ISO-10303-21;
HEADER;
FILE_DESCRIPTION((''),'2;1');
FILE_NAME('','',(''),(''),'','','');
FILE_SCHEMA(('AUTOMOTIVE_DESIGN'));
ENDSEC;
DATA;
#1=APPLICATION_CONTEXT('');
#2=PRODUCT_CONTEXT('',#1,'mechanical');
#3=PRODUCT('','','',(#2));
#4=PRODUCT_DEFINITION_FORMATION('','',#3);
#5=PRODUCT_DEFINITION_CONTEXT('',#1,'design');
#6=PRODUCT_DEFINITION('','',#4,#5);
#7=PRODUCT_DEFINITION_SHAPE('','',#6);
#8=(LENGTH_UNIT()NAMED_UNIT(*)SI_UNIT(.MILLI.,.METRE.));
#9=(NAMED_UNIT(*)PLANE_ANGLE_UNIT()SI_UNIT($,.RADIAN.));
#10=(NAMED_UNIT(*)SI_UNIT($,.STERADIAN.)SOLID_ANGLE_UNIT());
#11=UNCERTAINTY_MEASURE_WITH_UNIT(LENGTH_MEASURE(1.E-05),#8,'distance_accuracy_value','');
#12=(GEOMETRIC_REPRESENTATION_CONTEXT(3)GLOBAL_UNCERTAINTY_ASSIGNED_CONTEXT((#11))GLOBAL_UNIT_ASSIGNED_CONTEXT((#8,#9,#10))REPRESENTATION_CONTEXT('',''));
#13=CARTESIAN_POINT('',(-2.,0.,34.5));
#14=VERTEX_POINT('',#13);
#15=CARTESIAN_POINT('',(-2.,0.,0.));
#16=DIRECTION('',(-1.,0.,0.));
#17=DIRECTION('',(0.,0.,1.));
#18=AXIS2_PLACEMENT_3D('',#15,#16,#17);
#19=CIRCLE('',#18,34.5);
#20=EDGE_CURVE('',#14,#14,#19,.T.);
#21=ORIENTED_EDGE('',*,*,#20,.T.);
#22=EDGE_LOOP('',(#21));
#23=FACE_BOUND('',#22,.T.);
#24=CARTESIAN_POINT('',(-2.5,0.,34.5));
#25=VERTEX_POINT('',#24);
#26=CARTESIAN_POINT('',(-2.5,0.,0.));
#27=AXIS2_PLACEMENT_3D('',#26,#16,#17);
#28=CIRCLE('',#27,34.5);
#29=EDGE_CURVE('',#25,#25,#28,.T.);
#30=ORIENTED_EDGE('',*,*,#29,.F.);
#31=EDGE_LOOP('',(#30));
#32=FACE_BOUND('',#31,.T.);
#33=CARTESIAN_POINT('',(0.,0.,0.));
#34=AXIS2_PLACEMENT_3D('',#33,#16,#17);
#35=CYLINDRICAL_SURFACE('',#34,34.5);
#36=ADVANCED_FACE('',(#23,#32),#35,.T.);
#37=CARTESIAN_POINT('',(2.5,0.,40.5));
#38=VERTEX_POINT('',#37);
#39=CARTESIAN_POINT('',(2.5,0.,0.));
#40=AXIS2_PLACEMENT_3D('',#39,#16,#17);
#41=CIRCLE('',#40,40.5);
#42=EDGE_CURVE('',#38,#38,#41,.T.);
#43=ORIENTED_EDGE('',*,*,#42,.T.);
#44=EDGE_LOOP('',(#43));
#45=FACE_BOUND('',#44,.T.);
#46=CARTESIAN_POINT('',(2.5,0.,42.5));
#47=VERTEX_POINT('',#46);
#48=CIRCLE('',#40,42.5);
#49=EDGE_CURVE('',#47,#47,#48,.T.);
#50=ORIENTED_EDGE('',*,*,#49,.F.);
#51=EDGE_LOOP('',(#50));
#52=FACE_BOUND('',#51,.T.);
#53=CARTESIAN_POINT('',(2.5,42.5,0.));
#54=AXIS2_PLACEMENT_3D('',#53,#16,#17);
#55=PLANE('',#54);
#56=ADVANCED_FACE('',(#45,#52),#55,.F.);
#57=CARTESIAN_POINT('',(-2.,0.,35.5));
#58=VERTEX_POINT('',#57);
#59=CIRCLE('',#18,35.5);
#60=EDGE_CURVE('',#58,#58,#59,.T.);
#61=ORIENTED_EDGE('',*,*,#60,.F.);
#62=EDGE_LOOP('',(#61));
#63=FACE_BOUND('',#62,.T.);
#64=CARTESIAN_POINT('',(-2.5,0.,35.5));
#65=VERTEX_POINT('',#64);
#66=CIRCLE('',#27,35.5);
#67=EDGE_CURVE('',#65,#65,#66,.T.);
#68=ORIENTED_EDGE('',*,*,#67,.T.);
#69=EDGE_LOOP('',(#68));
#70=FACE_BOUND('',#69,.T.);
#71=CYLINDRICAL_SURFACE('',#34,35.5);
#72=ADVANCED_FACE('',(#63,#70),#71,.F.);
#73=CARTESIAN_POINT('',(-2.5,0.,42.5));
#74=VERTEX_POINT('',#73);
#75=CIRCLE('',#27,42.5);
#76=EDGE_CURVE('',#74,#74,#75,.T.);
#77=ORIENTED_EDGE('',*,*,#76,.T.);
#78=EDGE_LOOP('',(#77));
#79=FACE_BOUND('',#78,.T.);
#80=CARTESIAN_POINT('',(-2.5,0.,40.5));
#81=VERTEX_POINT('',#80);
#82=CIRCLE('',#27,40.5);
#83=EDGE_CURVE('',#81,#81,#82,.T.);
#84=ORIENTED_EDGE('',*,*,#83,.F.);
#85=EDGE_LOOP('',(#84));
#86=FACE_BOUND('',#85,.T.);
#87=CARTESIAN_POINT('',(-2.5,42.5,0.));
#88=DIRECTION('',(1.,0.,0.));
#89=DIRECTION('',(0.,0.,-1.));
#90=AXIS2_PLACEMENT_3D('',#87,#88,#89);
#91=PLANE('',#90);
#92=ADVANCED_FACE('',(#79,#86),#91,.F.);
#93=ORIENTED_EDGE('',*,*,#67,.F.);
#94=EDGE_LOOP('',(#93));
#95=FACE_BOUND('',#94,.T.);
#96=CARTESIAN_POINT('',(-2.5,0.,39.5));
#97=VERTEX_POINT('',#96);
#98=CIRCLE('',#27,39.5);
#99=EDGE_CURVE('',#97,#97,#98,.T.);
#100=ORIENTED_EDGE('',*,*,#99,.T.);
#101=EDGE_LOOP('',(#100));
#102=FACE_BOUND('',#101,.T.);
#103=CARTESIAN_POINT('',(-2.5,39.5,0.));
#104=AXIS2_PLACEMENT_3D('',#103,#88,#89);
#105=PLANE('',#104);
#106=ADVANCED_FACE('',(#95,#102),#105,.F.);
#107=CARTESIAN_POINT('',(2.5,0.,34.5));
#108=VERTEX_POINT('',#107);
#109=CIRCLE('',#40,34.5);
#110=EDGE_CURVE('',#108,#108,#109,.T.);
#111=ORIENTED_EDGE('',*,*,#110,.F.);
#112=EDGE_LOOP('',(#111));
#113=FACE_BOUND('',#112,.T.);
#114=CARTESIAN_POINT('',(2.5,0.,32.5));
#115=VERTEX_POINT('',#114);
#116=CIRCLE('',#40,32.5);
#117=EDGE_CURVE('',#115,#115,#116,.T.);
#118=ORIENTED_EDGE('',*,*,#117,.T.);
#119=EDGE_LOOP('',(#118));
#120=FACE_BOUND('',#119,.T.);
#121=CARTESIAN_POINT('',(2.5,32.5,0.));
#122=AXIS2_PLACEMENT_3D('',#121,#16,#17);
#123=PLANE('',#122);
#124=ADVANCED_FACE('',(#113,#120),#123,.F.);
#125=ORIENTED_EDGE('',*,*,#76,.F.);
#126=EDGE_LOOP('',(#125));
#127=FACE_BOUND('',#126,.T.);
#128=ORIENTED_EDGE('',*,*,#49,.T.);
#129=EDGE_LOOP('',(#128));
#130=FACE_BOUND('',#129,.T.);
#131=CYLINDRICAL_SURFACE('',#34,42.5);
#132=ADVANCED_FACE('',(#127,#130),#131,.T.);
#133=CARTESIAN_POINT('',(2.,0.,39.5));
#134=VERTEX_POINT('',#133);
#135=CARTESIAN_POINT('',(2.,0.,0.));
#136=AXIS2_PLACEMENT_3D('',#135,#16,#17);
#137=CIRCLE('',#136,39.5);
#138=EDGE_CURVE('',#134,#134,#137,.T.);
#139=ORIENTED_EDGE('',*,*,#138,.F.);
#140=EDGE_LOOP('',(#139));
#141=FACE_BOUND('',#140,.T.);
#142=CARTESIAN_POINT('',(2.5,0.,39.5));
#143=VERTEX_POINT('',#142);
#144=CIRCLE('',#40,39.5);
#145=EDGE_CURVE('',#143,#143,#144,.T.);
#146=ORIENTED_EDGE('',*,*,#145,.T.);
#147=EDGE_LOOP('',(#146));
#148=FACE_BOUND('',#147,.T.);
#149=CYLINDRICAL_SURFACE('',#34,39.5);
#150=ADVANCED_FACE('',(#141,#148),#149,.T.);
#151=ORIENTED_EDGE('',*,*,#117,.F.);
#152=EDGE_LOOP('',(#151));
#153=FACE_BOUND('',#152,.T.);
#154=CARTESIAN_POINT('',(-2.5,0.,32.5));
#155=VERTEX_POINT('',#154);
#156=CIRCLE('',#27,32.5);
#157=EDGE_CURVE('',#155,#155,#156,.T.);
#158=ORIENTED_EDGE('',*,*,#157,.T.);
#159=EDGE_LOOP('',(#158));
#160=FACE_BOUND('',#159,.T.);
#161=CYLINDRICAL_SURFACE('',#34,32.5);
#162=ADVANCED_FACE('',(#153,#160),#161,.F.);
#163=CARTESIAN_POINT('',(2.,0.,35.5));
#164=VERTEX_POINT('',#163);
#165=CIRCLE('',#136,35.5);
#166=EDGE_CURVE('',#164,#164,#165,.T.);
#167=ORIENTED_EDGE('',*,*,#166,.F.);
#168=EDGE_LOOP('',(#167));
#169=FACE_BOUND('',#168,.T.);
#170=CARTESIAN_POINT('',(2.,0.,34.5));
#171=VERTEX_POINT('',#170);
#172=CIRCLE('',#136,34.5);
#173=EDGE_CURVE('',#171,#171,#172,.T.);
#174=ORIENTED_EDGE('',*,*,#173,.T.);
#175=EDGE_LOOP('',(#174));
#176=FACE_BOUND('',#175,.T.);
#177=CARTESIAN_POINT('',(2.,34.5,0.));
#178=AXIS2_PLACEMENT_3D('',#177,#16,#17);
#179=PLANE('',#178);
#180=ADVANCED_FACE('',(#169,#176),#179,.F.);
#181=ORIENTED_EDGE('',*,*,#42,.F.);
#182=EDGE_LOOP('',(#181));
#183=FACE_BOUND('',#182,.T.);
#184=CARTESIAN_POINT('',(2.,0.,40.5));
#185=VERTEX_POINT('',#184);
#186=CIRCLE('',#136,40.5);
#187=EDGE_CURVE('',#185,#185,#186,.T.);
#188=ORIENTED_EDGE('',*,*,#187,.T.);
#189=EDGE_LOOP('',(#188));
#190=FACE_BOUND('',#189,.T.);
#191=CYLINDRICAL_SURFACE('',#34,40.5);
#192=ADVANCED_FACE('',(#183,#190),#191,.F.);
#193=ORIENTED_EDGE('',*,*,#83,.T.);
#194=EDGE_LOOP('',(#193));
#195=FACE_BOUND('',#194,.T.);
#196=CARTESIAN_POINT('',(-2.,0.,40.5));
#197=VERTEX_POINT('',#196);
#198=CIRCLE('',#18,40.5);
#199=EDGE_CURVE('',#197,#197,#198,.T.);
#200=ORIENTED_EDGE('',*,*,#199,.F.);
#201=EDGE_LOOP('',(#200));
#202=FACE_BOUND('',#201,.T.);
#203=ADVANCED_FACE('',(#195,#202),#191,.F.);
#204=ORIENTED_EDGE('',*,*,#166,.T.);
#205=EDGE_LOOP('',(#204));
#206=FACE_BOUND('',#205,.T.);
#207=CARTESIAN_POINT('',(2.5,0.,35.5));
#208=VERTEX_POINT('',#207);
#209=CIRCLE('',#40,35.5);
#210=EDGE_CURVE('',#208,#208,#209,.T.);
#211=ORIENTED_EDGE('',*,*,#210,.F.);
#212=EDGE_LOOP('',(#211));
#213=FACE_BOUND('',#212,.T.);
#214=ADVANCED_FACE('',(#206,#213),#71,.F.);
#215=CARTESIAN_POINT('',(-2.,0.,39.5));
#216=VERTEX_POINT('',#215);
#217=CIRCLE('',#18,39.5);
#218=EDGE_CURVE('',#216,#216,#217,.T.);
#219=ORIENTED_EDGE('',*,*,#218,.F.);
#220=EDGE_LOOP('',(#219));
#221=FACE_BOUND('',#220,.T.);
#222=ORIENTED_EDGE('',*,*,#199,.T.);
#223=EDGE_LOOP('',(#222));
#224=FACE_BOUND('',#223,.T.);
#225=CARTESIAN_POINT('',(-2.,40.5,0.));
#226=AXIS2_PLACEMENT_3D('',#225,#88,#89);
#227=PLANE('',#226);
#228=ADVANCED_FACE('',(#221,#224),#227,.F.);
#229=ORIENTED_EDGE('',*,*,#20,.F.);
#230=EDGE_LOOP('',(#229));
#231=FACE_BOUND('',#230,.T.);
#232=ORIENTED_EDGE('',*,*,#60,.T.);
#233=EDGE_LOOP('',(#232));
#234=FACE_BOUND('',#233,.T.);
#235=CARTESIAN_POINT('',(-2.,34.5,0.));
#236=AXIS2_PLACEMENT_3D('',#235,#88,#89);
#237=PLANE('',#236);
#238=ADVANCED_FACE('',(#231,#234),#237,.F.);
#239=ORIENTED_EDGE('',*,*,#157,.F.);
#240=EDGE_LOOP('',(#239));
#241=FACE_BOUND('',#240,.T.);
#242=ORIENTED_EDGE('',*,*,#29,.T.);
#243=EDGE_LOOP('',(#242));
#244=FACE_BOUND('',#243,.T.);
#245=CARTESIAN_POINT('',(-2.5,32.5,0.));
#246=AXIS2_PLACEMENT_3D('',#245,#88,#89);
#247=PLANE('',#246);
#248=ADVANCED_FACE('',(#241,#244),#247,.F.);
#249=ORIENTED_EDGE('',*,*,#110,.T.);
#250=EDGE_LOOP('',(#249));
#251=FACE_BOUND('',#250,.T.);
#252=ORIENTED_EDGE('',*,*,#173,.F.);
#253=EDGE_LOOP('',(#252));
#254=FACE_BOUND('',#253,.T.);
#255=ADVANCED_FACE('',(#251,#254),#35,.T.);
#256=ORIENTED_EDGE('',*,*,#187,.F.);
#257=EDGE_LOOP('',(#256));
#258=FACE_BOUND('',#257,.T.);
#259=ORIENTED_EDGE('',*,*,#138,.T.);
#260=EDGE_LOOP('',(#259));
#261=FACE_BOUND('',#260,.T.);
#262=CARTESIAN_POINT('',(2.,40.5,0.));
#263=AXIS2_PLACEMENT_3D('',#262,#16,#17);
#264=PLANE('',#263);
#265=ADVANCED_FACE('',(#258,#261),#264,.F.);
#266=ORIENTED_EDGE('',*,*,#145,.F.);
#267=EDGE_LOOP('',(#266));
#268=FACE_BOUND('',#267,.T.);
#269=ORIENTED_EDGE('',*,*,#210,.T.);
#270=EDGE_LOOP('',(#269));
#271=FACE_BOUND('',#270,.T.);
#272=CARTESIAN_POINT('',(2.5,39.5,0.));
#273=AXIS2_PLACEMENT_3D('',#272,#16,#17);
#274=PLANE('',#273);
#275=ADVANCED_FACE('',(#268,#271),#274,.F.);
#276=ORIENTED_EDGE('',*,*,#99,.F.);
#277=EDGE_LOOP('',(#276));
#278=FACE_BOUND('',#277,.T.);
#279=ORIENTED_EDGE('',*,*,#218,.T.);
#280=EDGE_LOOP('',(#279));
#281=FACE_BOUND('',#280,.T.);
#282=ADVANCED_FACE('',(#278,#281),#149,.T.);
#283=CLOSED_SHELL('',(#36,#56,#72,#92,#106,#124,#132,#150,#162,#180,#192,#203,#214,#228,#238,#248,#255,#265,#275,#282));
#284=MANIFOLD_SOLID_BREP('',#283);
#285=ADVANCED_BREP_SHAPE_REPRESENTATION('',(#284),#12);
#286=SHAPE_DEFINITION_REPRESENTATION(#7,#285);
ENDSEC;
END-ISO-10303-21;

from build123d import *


with BuildPart() as part:
    # Sketch1 → Revolve1 (revolve)
    with BuildSketch(Plane.XY, mode=Mode.PRIVATE) as revolve1_sk:
        Polygon((-2.5, 42.5), (2.5, 42.5), (2.5, 40.5), (2, 40.5), (2, 39.5), (2.5, 39.5), (2.5, 35.5), (2, 35.5), (2, 34.5), (2.5, 34.5), (2.5, 32.5), (-2.5, 32.5), (-2.5, 34.5), (-2, 34.5), (-2, 35.5), (-2.5, 35.5), (-2.5, 39.5), (-2, 39.5), (-2, 40.5), (-2.5, 40.5), align=None)
    revolve(revolve1_sk.sketch.rotate(Axis((0, 0, 0), (1, 0, 0)), 90), axis=Axis((0, 0, 0), (1, 0, 0)))


solid = part.part
